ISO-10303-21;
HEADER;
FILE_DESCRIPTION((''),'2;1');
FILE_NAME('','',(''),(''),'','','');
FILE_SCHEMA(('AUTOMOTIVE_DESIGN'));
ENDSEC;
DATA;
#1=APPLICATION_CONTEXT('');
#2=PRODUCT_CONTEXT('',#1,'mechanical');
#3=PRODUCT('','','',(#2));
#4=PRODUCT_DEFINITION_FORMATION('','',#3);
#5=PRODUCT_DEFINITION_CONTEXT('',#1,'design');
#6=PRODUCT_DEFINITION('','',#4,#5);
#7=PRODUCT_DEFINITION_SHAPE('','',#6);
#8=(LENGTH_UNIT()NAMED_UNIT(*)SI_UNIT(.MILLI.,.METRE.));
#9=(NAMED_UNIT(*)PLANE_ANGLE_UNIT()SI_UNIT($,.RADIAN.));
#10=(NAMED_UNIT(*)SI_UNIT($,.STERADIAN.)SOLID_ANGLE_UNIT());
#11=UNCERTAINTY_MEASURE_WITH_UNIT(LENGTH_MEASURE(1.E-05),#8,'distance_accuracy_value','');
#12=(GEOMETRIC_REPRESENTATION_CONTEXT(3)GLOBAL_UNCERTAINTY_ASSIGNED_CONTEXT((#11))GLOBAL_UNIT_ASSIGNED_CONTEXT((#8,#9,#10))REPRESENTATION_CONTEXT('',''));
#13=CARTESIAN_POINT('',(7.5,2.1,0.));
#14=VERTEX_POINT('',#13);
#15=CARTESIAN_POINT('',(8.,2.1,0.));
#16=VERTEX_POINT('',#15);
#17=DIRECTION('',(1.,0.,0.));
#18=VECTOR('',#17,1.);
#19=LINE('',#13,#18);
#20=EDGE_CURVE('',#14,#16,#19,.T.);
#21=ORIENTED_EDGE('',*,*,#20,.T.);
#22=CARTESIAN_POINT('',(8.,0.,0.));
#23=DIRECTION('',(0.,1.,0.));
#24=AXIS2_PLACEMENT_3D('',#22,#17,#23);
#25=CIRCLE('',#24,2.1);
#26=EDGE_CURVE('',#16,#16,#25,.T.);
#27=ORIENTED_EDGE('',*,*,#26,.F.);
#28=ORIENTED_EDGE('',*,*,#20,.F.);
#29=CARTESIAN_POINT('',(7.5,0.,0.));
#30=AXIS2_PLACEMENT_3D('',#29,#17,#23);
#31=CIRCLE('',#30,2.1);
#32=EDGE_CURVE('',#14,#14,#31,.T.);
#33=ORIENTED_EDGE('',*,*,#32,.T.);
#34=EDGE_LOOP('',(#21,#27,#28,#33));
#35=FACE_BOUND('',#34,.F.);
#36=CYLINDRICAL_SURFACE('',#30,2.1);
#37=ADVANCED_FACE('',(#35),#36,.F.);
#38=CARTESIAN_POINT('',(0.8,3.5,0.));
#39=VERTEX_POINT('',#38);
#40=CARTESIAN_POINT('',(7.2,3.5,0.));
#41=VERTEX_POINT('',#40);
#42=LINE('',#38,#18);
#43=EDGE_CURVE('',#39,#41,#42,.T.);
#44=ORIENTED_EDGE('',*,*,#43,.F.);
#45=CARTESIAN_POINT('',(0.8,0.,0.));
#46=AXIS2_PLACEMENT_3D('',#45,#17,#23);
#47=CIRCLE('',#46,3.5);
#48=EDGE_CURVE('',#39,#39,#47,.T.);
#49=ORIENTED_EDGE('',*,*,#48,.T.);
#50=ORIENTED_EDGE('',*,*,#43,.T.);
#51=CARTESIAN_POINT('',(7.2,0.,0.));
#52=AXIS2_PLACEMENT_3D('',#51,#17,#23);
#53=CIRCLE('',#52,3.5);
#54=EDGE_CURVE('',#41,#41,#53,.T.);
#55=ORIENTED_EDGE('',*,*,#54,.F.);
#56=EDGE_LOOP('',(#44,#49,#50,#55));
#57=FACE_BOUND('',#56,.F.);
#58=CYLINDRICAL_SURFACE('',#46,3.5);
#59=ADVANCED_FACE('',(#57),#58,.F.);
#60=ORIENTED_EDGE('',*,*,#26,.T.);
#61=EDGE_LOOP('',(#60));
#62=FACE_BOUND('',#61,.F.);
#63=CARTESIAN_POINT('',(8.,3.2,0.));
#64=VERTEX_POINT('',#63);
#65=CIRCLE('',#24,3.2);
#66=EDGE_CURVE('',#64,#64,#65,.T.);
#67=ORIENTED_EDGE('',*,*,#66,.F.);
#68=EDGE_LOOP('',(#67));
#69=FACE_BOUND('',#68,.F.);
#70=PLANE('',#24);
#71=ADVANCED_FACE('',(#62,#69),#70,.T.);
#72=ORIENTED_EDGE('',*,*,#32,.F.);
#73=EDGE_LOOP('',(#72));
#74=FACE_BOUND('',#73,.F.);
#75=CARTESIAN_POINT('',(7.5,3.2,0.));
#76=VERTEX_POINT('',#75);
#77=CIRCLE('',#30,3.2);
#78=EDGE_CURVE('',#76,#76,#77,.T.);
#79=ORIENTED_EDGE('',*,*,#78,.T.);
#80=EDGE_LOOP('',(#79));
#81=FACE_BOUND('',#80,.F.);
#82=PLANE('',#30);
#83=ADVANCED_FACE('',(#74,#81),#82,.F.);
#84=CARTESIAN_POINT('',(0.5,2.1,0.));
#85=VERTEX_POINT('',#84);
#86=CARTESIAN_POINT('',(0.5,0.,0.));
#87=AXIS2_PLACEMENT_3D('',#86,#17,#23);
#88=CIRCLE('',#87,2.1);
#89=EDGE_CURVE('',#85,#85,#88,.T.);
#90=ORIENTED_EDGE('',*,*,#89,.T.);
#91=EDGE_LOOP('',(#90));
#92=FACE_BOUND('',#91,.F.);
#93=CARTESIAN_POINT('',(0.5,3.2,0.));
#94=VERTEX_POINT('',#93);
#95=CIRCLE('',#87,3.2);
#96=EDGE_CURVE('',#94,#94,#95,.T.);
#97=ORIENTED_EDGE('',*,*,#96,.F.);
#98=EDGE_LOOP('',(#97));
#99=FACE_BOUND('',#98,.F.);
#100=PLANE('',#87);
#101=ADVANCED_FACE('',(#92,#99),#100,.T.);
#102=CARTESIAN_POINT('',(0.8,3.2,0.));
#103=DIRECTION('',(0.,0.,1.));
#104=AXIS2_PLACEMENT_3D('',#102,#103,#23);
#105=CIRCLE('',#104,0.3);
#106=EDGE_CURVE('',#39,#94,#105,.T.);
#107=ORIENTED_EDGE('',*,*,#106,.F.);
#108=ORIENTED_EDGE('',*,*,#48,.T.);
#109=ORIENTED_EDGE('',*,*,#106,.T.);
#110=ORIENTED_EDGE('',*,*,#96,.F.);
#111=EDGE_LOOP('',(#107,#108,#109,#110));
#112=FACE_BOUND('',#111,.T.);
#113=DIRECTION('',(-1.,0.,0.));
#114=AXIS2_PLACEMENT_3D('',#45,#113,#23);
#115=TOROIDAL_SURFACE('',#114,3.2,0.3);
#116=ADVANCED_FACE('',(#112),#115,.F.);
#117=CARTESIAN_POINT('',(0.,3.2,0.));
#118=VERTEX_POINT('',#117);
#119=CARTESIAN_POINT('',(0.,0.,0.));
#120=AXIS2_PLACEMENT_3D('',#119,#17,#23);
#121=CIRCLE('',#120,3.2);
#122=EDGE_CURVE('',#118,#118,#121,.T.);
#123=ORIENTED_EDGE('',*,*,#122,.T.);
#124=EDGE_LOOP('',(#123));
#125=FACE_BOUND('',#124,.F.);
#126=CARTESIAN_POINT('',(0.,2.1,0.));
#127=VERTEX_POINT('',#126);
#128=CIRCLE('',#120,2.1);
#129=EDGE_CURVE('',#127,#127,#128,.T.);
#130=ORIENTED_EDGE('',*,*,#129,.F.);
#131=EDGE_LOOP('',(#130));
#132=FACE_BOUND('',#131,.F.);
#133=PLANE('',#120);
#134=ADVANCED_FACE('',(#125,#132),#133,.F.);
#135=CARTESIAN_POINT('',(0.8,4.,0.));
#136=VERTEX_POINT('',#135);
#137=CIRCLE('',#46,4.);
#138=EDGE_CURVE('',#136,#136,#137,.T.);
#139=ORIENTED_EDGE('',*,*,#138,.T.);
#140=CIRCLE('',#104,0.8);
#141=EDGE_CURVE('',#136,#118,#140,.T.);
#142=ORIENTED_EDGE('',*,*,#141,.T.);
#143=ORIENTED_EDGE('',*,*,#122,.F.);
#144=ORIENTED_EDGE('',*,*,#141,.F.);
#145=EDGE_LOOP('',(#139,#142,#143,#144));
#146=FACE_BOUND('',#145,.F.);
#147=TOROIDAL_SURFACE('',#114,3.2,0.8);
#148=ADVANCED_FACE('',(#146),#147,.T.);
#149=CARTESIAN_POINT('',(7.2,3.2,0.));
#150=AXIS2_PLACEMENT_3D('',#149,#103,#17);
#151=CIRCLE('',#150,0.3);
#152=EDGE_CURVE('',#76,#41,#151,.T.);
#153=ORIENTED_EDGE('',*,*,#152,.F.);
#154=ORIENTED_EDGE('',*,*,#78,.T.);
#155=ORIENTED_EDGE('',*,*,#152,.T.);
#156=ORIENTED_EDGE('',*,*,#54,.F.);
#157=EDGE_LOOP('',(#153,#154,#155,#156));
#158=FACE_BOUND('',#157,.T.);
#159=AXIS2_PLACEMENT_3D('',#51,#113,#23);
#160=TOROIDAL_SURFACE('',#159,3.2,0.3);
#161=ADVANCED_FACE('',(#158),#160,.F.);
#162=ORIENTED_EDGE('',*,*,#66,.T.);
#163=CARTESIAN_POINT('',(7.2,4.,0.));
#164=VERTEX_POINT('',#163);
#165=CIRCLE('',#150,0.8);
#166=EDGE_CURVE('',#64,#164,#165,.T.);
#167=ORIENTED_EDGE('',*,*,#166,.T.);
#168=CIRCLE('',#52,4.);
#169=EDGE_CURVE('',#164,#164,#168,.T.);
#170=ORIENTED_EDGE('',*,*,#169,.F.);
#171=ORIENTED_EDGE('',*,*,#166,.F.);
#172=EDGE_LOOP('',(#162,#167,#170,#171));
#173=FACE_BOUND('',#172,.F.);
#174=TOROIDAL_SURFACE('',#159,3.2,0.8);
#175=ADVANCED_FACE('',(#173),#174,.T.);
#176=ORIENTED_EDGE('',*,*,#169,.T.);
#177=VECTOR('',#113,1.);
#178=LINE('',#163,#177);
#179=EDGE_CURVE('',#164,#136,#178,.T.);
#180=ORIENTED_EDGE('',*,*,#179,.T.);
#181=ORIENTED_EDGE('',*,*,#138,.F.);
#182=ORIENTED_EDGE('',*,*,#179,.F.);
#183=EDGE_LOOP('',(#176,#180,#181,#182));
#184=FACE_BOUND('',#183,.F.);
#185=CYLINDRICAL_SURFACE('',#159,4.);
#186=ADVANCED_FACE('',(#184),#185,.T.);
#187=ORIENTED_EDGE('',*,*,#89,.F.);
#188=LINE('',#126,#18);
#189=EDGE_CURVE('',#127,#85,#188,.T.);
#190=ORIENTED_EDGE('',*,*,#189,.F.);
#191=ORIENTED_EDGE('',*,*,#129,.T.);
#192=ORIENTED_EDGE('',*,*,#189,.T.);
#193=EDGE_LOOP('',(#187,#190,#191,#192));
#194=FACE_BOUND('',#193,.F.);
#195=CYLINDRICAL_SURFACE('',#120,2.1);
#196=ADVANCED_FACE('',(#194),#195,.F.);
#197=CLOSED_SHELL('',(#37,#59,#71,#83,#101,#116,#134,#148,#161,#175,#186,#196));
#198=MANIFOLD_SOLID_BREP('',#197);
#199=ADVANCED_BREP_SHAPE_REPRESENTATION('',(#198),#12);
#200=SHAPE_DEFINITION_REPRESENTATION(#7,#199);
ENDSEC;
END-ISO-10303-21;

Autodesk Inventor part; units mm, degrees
sketch "Sketch_1" plane through (0, 0, 0) normal (0, 0, 1) x (1, 0, 0)
  line L0 (8, 0) -> (0, 0)
  line L1 (0, 2.1) -> (0.5, 2.1)
  line L2 (0.5, 2.1) -> (0.5, 3.2)
  arc A0 (0.8, 3.5) -> (0.5, 3.2) centre (0.8, 3.2) ccw
  line L3 (0.8, 3.5) -> (7.2, 3.5)
  arc A1 (7.5, 3.2) -> (7.2, 3.5) centre (7.2, 3.2) ccw
  line L4 (7.5, 3.2) -> (7.5, 2.1)
  line L5 (7.5, 2.1) -> (8, 2.1)
  line L6 (8, 2.1) -> (8, 3.2)
  arc A2 (8, 3.2) -> (7.2, 4) centre (7.2, 3.2) ccw
  line L7 (7.2, 4) -> (0.8, 4)
  arc A3 (0.8, 4) -> (0, 3.2) centre (0.8, 3.2) ccw
  line L8 (0, 3.2) -> (0, 2.1)
revolve "Revolution1" add sketch "Sketch_1" angle 360 about axis through (8, 0, 0) along (1, 0, 0)
ref_plane "IP_1_XY" through (0, 0, 0) normal (1, 0, 0) x (0, 0, -1)
ref_plane "IP_1_YZ" through (0, 0, 0) normal (0, 0, -1) x (0, 1, 0)
ref_plane "IP_1_ZX" through (0, 0, 0) normal (0, 1, 0) x (1, 0, 0)
ref_plane "IP_5_XY" through (4, 0, 0) normal (1, 0, 0) x (0, 0, -1)
ref_plane "IP_5_YZ" through (4, 0, 0) normal (0, 0, -1) x (0, 1, 0)
ref_plane "IP_5_ZX" through (4, 0, 0) normal (0, 1, 0) x (1, 0, 0)
ref_plane "IP_6_XY" through (5.6, 0, 0) normal (1, 0, 0) x (0, 0, -1)
ref_plane "IP_6_YZ" through (5.6, 0, 0) normal (0, 0, -1) x (0, 1, 0)
ref_plane "IP_6_ZX" through (5.6, 0, 0) normal (0, 1, 0) x (1, 0, 0)
properties part number "HK0408FT2SH"
